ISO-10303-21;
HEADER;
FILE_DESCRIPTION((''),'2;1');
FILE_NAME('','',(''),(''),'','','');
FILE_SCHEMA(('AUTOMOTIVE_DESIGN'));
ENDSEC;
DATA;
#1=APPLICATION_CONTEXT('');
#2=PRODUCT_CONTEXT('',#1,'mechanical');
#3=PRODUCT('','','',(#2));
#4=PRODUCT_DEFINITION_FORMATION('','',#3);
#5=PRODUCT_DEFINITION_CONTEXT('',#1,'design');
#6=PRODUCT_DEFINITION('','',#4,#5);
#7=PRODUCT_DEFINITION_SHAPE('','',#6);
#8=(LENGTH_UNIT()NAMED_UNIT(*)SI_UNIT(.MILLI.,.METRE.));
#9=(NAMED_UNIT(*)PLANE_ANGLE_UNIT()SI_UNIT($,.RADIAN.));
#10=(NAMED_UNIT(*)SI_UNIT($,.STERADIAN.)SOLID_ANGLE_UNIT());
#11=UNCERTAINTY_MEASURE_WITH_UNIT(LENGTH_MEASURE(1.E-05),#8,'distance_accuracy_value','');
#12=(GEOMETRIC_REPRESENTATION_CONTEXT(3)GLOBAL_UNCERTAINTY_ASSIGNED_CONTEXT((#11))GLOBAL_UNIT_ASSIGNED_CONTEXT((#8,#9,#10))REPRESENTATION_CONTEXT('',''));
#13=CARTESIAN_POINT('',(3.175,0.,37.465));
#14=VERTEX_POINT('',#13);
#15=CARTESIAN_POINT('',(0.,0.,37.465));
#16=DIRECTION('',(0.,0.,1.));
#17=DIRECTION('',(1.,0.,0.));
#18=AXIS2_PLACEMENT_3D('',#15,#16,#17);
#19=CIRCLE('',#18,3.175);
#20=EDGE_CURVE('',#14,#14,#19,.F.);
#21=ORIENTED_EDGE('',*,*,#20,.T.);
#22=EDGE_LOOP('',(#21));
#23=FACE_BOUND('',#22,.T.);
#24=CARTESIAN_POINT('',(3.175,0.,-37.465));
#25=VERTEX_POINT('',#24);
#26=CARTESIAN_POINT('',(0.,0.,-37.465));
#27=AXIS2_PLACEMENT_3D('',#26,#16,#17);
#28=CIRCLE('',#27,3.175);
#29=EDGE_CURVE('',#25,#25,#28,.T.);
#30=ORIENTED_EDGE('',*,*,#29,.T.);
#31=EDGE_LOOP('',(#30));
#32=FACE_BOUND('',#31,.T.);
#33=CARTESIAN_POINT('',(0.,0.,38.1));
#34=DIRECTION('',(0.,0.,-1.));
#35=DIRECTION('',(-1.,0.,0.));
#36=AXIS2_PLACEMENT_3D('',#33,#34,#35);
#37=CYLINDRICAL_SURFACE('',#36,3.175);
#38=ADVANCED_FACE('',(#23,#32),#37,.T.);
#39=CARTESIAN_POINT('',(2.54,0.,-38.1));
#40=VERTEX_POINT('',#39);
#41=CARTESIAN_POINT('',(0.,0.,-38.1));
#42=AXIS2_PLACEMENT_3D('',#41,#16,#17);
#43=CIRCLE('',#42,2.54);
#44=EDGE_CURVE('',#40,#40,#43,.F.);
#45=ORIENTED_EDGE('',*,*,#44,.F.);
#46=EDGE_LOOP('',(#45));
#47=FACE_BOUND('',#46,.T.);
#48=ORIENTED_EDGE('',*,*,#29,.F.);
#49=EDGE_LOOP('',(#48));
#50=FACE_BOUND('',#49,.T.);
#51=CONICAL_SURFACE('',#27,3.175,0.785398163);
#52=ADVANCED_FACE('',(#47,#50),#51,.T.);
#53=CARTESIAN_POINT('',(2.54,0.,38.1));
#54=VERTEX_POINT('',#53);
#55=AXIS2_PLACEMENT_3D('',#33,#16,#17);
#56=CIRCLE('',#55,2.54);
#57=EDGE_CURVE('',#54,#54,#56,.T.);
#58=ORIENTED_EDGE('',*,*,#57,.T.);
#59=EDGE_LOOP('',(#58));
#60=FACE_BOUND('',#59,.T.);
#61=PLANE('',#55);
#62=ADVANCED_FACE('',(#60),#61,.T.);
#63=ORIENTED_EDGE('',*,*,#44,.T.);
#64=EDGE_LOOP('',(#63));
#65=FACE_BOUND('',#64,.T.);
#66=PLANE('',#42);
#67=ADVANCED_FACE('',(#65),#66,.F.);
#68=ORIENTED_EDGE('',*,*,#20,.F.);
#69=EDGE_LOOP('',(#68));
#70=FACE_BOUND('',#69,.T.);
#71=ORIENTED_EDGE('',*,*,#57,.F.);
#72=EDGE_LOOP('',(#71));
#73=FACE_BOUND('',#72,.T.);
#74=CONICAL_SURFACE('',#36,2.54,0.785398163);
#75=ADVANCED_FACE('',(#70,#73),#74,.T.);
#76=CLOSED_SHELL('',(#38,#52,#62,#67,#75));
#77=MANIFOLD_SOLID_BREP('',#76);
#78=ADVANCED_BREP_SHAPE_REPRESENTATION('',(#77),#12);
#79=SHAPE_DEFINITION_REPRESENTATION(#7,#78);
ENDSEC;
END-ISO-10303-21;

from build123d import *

# Parameters (mm, degrees)
SKETCH1_R      = 3.175
EXTRUDE1_DEPTH = 38.1
CHAMFER1_SIZE  = 0.635


with BuildPart() as part:
    # Sketch1 → Extrude1 (new body, symmetric)
    with BuildSketch(Plane.XY):
        Circle(SKETCH1_R)
    extrude(amount=EXTRUDE1_DEPTH, both=True)

    # Chamfer1
    chamfer1_edges = [part.edges().sort_by_distance(p)[0] for p in [
        (-3.175, 0, -38.1),
        (-3.175, 0, 38.1),
    ]]
    chamfer(chamfer1_edges, length=CHAMFER1_SIZE)


solid = part.part
